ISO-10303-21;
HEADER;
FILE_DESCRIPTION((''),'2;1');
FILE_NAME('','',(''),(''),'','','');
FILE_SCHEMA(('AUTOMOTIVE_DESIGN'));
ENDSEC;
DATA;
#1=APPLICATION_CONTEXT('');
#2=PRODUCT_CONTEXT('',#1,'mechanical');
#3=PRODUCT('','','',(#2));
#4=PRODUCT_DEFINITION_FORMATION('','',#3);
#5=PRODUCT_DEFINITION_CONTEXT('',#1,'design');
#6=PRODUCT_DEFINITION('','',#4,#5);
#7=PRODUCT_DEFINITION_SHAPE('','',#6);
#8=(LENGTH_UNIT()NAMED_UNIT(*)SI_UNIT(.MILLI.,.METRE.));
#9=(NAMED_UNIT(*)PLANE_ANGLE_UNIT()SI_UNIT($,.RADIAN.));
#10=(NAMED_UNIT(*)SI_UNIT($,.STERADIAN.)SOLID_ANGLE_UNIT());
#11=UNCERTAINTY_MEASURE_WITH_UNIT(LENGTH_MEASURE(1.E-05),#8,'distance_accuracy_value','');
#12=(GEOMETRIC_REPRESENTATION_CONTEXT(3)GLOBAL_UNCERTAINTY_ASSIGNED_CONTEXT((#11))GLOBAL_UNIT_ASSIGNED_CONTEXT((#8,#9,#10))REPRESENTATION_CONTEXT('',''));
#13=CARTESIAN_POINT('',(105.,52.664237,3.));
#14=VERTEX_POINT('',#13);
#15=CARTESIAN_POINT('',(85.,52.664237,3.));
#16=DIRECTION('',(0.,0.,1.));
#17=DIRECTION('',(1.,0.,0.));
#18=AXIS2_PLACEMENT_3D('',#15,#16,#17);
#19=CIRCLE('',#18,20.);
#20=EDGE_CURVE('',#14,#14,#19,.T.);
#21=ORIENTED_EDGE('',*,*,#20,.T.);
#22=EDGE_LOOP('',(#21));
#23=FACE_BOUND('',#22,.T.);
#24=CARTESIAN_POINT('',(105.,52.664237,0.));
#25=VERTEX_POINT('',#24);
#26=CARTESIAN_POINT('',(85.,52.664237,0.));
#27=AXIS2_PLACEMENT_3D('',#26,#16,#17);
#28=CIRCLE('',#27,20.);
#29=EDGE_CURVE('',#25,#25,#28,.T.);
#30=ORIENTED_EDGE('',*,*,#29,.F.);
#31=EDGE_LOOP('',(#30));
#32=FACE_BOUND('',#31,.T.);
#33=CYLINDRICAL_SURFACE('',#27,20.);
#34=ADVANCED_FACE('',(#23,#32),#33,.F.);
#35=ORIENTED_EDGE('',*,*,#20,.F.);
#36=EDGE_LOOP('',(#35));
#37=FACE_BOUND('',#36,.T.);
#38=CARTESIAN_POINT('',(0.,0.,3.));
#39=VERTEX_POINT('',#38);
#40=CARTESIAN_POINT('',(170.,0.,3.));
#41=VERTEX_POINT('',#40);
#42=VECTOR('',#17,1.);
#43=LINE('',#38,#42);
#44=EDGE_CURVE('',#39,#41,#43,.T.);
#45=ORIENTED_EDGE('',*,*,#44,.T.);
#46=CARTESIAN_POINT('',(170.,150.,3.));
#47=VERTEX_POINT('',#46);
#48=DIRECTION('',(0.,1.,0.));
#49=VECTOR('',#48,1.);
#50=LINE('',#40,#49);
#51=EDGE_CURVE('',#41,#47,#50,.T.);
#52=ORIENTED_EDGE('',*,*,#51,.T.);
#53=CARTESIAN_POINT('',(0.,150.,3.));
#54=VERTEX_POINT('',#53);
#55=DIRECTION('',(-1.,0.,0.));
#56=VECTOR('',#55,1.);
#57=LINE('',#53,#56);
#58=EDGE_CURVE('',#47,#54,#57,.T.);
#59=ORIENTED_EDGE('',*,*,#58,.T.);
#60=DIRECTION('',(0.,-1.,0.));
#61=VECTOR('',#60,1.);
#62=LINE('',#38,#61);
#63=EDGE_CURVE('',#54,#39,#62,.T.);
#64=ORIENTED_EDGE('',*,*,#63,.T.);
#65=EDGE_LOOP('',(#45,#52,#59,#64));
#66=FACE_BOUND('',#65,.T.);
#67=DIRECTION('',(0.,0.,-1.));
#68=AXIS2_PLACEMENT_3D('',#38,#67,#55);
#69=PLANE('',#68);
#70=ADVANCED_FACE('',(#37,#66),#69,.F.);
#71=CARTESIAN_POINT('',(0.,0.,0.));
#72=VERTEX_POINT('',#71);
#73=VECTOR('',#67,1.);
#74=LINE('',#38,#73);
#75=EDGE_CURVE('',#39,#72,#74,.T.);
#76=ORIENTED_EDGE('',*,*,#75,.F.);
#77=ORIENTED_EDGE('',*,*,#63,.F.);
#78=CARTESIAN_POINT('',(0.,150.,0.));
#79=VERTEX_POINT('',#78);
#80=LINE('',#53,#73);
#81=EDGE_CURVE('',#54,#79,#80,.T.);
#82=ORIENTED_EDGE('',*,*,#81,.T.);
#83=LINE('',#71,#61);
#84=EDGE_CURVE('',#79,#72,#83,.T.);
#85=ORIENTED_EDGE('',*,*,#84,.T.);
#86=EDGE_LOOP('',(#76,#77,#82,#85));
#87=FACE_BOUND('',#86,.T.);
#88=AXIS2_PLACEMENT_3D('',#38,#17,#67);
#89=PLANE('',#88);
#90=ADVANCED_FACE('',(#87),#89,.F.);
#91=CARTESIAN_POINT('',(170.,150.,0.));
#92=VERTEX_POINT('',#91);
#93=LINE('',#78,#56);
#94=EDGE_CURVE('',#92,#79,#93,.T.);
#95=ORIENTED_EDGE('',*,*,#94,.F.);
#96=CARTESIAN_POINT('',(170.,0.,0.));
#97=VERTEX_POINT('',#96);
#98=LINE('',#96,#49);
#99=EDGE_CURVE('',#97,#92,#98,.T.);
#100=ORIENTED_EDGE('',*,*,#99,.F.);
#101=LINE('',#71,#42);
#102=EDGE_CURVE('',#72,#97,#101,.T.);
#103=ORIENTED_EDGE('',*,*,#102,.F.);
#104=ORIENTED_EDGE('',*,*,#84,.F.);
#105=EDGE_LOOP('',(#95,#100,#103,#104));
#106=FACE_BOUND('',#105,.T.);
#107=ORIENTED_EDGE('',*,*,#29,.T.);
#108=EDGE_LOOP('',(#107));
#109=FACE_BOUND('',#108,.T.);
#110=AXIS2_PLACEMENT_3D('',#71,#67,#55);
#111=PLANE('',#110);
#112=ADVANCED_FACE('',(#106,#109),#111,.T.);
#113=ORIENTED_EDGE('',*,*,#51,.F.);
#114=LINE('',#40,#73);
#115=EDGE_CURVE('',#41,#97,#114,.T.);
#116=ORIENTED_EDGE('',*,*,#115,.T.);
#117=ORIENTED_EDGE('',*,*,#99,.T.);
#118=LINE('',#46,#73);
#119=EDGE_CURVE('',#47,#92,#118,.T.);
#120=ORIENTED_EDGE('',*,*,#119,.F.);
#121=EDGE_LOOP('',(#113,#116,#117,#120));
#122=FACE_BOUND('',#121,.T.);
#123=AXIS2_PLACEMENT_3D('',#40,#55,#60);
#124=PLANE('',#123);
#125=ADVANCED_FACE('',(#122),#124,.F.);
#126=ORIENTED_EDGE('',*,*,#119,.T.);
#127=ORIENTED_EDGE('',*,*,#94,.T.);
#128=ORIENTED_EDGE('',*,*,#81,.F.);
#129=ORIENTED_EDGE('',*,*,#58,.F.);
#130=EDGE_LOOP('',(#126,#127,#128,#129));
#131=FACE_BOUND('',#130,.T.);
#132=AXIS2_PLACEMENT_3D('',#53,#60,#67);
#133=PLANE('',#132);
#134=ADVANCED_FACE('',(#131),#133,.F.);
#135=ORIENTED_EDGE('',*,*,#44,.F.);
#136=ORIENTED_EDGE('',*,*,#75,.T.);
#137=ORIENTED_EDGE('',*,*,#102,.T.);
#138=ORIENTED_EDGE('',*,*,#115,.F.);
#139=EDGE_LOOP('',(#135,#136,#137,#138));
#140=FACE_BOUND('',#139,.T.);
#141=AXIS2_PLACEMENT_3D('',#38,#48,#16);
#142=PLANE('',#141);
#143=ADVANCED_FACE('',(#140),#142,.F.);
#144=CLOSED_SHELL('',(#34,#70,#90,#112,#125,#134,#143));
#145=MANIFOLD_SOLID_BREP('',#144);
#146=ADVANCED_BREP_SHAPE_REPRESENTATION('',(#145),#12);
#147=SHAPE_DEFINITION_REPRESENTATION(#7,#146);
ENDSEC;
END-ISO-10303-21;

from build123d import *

# Parameters (mm, degrees)
SKETCH_1_W          = 170
SKETCH_1_H          = 150
EXTRUDE_1_DEPTH     = 3
SKETCH_2_R          = 20
CUT_EXTRUDE_1_DEPTH = 227.735528755


with BuildPart() as part:
    # 草圖1 → 填料-伸長1 (new body)
    with BuildSketch(Plane.XY):
        with Locations((85, 75)):
            Rectangle(SKETCH_1_W, SKETCH_1_H)
    extrude(amount=EXTRUDE_1_DEPTH)

    # 草圖2 → 除料-伸長1 (cut, through all)
    with BuildSketch(Plane.XY.offset(3)):
        with Locations((85, 52.664237253)):
            Circle(SKETCH_2_R)
    extrude(amount=-CUT_EXTRUDE_1_DEPTH, mode=Mode.SUBTRACT)


solid = part.part
